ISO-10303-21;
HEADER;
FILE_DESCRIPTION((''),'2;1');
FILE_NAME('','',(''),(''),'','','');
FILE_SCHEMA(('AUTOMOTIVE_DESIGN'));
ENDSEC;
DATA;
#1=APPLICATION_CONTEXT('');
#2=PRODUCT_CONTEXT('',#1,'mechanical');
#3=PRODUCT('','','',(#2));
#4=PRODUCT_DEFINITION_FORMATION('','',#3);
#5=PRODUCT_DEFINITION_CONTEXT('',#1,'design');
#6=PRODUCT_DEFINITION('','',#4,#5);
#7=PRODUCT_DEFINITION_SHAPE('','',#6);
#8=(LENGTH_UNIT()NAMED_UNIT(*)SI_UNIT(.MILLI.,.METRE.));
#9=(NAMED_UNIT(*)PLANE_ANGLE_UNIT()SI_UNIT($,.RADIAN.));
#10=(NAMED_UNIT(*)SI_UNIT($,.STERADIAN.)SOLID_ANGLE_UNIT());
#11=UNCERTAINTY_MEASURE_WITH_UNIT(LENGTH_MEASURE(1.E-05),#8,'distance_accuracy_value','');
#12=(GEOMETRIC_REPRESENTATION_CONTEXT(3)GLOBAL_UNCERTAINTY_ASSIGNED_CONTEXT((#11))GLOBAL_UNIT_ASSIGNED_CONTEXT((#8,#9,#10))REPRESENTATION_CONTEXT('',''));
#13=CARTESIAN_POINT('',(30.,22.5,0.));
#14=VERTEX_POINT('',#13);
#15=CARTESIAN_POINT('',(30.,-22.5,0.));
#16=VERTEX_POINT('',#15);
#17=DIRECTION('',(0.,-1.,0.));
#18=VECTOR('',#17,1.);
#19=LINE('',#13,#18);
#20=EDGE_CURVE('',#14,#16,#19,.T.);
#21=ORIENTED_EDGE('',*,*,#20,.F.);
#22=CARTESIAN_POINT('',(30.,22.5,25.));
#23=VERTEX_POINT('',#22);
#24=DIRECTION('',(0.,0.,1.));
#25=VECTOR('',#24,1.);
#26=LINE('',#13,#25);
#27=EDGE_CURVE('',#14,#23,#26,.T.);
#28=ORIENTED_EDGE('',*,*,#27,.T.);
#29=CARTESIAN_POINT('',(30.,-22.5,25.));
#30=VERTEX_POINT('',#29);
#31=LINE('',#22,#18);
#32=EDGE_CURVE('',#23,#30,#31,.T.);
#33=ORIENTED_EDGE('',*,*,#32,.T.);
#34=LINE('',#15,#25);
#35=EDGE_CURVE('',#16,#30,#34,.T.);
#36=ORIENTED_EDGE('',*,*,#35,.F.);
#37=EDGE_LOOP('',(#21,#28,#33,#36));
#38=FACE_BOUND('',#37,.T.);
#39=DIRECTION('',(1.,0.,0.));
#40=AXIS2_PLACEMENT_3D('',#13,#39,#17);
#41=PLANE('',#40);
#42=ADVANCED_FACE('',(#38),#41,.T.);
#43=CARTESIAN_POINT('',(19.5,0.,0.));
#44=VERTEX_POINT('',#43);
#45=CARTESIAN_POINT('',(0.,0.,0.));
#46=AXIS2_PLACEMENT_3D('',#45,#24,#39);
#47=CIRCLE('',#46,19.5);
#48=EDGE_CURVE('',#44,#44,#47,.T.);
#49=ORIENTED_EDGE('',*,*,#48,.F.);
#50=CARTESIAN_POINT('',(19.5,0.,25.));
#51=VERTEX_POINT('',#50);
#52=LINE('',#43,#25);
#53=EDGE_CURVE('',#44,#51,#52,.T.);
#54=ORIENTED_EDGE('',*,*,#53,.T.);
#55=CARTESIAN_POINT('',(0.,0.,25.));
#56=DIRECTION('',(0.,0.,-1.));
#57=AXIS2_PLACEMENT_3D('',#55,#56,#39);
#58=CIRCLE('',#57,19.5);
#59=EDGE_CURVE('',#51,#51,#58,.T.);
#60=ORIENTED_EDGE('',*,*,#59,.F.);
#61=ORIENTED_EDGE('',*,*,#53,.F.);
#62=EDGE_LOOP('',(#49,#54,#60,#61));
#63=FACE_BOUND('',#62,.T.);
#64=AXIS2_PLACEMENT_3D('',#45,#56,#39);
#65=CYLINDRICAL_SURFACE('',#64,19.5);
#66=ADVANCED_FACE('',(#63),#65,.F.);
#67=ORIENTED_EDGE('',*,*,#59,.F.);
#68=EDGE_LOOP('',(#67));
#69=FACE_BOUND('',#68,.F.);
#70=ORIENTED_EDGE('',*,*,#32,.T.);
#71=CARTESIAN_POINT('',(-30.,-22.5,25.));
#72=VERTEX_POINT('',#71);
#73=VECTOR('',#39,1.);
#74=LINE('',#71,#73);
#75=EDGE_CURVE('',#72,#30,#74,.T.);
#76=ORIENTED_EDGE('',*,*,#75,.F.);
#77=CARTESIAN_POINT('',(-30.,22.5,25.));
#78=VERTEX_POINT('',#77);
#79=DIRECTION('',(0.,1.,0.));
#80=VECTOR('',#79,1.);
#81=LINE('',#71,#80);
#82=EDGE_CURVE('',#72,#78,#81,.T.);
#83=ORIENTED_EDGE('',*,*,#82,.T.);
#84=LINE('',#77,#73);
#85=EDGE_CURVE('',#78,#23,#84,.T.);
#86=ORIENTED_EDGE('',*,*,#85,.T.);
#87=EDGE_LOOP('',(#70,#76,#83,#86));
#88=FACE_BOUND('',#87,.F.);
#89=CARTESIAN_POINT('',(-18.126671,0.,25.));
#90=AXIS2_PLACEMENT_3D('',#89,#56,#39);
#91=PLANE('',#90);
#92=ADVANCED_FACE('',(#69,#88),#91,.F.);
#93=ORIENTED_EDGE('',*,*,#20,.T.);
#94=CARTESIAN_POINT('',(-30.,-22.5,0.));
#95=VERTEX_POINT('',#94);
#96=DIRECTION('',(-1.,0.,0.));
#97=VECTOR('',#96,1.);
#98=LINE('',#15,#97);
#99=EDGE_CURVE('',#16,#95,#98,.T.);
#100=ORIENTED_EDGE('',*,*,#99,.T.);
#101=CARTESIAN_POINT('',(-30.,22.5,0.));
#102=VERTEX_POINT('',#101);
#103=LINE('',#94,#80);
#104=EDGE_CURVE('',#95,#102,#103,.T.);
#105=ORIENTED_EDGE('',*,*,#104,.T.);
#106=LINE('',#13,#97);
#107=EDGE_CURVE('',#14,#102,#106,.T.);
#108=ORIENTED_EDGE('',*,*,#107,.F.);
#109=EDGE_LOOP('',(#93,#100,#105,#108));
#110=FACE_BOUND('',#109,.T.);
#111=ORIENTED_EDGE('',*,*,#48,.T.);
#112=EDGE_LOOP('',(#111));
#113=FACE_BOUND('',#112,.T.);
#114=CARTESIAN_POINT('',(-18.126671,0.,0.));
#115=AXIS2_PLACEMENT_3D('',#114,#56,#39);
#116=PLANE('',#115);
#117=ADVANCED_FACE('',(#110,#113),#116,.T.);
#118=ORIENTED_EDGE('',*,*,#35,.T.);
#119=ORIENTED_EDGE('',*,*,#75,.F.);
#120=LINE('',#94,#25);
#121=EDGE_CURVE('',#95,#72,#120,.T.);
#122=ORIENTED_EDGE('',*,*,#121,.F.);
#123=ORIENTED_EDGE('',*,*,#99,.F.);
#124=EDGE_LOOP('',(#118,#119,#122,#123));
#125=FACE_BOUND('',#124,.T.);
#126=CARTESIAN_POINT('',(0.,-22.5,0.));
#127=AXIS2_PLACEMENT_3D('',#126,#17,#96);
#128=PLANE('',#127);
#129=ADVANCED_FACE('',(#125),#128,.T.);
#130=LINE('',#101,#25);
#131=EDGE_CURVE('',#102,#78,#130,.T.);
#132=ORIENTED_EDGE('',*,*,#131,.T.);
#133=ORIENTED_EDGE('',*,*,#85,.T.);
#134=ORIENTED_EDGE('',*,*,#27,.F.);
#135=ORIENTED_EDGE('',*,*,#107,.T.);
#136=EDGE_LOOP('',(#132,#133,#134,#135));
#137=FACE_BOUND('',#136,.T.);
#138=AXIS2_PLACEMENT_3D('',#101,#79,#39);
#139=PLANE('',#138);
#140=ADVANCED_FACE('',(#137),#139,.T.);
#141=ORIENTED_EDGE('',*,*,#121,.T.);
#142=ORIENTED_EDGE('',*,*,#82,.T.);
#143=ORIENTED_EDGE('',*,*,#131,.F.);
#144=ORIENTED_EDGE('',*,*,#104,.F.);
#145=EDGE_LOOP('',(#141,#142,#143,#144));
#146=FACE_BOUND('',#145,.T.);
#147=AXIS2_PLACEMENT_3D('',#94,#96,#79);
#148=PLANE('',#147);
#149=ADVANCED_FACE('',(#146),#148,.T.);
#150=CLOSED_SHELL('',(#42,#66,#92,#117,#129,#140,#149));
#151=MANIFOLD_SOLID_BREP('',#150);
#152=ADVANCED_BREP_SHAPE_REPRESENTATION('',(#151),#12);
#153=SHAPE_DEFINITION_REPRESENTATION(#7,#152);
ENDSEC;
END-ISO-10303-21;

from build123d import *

# Parameters (mm, degrees)
F0_R     = 22.5
F1_DEPTH = 25
F2_R     = 19.5
F3_DEPTH = 25.001
F5_DEPTH = 25


with BuildPart() as f1:
    # F0 (on Top) → F1 (new body)
    with BuildSketch(Plane.XY):
        Circle(F0_R)
    extrude(amount=F1_DEPTH)

    # F2 (on Top) → F3 (cut, through all)
    with BuildSketch(Plane.XY):
        Circle(F2_R)
    extrude(amount=F3_DEPTH, mode=Mode.SUBTRACT)

    # F4 (on face) → F5 (join)
    with BuildSketch(Plane(origin=(0, 0, 0), x_dir=(1, 0, 0), z_dir=(0, 0, -1))):
        with BuildLine():
            Line((-30, -22.5), (5.03e-08, -22.5))
            ThreePointArc((5.03e-08, -22.5), (-22.5, -1.28e-08), (2.47e-08, 22.5))
            Line((2.47e-08, 22.5), (-30, 22.5))
            Line((-30, 22.5), (-30, -22.5))
        make_face()
        with BuildLine():
            Line((5.03e-08, -22.5), (30, -22.5))
            Line((30, -22.5), (30, 22.5))
            Line((30, 22.5), (2.47e-08, 22.5))
            ThreePointArc((2.47e-08, 22.5), (15.9099025854, 15.909902568), (22.5, 0))
            ThreePointArc((22.5, 0), (15.9099025945, -15.9099025589), (5.03e-08, -22.5))
        make_face()
    extrude(amount=-F5_DEPTH)


solid = f1.part
